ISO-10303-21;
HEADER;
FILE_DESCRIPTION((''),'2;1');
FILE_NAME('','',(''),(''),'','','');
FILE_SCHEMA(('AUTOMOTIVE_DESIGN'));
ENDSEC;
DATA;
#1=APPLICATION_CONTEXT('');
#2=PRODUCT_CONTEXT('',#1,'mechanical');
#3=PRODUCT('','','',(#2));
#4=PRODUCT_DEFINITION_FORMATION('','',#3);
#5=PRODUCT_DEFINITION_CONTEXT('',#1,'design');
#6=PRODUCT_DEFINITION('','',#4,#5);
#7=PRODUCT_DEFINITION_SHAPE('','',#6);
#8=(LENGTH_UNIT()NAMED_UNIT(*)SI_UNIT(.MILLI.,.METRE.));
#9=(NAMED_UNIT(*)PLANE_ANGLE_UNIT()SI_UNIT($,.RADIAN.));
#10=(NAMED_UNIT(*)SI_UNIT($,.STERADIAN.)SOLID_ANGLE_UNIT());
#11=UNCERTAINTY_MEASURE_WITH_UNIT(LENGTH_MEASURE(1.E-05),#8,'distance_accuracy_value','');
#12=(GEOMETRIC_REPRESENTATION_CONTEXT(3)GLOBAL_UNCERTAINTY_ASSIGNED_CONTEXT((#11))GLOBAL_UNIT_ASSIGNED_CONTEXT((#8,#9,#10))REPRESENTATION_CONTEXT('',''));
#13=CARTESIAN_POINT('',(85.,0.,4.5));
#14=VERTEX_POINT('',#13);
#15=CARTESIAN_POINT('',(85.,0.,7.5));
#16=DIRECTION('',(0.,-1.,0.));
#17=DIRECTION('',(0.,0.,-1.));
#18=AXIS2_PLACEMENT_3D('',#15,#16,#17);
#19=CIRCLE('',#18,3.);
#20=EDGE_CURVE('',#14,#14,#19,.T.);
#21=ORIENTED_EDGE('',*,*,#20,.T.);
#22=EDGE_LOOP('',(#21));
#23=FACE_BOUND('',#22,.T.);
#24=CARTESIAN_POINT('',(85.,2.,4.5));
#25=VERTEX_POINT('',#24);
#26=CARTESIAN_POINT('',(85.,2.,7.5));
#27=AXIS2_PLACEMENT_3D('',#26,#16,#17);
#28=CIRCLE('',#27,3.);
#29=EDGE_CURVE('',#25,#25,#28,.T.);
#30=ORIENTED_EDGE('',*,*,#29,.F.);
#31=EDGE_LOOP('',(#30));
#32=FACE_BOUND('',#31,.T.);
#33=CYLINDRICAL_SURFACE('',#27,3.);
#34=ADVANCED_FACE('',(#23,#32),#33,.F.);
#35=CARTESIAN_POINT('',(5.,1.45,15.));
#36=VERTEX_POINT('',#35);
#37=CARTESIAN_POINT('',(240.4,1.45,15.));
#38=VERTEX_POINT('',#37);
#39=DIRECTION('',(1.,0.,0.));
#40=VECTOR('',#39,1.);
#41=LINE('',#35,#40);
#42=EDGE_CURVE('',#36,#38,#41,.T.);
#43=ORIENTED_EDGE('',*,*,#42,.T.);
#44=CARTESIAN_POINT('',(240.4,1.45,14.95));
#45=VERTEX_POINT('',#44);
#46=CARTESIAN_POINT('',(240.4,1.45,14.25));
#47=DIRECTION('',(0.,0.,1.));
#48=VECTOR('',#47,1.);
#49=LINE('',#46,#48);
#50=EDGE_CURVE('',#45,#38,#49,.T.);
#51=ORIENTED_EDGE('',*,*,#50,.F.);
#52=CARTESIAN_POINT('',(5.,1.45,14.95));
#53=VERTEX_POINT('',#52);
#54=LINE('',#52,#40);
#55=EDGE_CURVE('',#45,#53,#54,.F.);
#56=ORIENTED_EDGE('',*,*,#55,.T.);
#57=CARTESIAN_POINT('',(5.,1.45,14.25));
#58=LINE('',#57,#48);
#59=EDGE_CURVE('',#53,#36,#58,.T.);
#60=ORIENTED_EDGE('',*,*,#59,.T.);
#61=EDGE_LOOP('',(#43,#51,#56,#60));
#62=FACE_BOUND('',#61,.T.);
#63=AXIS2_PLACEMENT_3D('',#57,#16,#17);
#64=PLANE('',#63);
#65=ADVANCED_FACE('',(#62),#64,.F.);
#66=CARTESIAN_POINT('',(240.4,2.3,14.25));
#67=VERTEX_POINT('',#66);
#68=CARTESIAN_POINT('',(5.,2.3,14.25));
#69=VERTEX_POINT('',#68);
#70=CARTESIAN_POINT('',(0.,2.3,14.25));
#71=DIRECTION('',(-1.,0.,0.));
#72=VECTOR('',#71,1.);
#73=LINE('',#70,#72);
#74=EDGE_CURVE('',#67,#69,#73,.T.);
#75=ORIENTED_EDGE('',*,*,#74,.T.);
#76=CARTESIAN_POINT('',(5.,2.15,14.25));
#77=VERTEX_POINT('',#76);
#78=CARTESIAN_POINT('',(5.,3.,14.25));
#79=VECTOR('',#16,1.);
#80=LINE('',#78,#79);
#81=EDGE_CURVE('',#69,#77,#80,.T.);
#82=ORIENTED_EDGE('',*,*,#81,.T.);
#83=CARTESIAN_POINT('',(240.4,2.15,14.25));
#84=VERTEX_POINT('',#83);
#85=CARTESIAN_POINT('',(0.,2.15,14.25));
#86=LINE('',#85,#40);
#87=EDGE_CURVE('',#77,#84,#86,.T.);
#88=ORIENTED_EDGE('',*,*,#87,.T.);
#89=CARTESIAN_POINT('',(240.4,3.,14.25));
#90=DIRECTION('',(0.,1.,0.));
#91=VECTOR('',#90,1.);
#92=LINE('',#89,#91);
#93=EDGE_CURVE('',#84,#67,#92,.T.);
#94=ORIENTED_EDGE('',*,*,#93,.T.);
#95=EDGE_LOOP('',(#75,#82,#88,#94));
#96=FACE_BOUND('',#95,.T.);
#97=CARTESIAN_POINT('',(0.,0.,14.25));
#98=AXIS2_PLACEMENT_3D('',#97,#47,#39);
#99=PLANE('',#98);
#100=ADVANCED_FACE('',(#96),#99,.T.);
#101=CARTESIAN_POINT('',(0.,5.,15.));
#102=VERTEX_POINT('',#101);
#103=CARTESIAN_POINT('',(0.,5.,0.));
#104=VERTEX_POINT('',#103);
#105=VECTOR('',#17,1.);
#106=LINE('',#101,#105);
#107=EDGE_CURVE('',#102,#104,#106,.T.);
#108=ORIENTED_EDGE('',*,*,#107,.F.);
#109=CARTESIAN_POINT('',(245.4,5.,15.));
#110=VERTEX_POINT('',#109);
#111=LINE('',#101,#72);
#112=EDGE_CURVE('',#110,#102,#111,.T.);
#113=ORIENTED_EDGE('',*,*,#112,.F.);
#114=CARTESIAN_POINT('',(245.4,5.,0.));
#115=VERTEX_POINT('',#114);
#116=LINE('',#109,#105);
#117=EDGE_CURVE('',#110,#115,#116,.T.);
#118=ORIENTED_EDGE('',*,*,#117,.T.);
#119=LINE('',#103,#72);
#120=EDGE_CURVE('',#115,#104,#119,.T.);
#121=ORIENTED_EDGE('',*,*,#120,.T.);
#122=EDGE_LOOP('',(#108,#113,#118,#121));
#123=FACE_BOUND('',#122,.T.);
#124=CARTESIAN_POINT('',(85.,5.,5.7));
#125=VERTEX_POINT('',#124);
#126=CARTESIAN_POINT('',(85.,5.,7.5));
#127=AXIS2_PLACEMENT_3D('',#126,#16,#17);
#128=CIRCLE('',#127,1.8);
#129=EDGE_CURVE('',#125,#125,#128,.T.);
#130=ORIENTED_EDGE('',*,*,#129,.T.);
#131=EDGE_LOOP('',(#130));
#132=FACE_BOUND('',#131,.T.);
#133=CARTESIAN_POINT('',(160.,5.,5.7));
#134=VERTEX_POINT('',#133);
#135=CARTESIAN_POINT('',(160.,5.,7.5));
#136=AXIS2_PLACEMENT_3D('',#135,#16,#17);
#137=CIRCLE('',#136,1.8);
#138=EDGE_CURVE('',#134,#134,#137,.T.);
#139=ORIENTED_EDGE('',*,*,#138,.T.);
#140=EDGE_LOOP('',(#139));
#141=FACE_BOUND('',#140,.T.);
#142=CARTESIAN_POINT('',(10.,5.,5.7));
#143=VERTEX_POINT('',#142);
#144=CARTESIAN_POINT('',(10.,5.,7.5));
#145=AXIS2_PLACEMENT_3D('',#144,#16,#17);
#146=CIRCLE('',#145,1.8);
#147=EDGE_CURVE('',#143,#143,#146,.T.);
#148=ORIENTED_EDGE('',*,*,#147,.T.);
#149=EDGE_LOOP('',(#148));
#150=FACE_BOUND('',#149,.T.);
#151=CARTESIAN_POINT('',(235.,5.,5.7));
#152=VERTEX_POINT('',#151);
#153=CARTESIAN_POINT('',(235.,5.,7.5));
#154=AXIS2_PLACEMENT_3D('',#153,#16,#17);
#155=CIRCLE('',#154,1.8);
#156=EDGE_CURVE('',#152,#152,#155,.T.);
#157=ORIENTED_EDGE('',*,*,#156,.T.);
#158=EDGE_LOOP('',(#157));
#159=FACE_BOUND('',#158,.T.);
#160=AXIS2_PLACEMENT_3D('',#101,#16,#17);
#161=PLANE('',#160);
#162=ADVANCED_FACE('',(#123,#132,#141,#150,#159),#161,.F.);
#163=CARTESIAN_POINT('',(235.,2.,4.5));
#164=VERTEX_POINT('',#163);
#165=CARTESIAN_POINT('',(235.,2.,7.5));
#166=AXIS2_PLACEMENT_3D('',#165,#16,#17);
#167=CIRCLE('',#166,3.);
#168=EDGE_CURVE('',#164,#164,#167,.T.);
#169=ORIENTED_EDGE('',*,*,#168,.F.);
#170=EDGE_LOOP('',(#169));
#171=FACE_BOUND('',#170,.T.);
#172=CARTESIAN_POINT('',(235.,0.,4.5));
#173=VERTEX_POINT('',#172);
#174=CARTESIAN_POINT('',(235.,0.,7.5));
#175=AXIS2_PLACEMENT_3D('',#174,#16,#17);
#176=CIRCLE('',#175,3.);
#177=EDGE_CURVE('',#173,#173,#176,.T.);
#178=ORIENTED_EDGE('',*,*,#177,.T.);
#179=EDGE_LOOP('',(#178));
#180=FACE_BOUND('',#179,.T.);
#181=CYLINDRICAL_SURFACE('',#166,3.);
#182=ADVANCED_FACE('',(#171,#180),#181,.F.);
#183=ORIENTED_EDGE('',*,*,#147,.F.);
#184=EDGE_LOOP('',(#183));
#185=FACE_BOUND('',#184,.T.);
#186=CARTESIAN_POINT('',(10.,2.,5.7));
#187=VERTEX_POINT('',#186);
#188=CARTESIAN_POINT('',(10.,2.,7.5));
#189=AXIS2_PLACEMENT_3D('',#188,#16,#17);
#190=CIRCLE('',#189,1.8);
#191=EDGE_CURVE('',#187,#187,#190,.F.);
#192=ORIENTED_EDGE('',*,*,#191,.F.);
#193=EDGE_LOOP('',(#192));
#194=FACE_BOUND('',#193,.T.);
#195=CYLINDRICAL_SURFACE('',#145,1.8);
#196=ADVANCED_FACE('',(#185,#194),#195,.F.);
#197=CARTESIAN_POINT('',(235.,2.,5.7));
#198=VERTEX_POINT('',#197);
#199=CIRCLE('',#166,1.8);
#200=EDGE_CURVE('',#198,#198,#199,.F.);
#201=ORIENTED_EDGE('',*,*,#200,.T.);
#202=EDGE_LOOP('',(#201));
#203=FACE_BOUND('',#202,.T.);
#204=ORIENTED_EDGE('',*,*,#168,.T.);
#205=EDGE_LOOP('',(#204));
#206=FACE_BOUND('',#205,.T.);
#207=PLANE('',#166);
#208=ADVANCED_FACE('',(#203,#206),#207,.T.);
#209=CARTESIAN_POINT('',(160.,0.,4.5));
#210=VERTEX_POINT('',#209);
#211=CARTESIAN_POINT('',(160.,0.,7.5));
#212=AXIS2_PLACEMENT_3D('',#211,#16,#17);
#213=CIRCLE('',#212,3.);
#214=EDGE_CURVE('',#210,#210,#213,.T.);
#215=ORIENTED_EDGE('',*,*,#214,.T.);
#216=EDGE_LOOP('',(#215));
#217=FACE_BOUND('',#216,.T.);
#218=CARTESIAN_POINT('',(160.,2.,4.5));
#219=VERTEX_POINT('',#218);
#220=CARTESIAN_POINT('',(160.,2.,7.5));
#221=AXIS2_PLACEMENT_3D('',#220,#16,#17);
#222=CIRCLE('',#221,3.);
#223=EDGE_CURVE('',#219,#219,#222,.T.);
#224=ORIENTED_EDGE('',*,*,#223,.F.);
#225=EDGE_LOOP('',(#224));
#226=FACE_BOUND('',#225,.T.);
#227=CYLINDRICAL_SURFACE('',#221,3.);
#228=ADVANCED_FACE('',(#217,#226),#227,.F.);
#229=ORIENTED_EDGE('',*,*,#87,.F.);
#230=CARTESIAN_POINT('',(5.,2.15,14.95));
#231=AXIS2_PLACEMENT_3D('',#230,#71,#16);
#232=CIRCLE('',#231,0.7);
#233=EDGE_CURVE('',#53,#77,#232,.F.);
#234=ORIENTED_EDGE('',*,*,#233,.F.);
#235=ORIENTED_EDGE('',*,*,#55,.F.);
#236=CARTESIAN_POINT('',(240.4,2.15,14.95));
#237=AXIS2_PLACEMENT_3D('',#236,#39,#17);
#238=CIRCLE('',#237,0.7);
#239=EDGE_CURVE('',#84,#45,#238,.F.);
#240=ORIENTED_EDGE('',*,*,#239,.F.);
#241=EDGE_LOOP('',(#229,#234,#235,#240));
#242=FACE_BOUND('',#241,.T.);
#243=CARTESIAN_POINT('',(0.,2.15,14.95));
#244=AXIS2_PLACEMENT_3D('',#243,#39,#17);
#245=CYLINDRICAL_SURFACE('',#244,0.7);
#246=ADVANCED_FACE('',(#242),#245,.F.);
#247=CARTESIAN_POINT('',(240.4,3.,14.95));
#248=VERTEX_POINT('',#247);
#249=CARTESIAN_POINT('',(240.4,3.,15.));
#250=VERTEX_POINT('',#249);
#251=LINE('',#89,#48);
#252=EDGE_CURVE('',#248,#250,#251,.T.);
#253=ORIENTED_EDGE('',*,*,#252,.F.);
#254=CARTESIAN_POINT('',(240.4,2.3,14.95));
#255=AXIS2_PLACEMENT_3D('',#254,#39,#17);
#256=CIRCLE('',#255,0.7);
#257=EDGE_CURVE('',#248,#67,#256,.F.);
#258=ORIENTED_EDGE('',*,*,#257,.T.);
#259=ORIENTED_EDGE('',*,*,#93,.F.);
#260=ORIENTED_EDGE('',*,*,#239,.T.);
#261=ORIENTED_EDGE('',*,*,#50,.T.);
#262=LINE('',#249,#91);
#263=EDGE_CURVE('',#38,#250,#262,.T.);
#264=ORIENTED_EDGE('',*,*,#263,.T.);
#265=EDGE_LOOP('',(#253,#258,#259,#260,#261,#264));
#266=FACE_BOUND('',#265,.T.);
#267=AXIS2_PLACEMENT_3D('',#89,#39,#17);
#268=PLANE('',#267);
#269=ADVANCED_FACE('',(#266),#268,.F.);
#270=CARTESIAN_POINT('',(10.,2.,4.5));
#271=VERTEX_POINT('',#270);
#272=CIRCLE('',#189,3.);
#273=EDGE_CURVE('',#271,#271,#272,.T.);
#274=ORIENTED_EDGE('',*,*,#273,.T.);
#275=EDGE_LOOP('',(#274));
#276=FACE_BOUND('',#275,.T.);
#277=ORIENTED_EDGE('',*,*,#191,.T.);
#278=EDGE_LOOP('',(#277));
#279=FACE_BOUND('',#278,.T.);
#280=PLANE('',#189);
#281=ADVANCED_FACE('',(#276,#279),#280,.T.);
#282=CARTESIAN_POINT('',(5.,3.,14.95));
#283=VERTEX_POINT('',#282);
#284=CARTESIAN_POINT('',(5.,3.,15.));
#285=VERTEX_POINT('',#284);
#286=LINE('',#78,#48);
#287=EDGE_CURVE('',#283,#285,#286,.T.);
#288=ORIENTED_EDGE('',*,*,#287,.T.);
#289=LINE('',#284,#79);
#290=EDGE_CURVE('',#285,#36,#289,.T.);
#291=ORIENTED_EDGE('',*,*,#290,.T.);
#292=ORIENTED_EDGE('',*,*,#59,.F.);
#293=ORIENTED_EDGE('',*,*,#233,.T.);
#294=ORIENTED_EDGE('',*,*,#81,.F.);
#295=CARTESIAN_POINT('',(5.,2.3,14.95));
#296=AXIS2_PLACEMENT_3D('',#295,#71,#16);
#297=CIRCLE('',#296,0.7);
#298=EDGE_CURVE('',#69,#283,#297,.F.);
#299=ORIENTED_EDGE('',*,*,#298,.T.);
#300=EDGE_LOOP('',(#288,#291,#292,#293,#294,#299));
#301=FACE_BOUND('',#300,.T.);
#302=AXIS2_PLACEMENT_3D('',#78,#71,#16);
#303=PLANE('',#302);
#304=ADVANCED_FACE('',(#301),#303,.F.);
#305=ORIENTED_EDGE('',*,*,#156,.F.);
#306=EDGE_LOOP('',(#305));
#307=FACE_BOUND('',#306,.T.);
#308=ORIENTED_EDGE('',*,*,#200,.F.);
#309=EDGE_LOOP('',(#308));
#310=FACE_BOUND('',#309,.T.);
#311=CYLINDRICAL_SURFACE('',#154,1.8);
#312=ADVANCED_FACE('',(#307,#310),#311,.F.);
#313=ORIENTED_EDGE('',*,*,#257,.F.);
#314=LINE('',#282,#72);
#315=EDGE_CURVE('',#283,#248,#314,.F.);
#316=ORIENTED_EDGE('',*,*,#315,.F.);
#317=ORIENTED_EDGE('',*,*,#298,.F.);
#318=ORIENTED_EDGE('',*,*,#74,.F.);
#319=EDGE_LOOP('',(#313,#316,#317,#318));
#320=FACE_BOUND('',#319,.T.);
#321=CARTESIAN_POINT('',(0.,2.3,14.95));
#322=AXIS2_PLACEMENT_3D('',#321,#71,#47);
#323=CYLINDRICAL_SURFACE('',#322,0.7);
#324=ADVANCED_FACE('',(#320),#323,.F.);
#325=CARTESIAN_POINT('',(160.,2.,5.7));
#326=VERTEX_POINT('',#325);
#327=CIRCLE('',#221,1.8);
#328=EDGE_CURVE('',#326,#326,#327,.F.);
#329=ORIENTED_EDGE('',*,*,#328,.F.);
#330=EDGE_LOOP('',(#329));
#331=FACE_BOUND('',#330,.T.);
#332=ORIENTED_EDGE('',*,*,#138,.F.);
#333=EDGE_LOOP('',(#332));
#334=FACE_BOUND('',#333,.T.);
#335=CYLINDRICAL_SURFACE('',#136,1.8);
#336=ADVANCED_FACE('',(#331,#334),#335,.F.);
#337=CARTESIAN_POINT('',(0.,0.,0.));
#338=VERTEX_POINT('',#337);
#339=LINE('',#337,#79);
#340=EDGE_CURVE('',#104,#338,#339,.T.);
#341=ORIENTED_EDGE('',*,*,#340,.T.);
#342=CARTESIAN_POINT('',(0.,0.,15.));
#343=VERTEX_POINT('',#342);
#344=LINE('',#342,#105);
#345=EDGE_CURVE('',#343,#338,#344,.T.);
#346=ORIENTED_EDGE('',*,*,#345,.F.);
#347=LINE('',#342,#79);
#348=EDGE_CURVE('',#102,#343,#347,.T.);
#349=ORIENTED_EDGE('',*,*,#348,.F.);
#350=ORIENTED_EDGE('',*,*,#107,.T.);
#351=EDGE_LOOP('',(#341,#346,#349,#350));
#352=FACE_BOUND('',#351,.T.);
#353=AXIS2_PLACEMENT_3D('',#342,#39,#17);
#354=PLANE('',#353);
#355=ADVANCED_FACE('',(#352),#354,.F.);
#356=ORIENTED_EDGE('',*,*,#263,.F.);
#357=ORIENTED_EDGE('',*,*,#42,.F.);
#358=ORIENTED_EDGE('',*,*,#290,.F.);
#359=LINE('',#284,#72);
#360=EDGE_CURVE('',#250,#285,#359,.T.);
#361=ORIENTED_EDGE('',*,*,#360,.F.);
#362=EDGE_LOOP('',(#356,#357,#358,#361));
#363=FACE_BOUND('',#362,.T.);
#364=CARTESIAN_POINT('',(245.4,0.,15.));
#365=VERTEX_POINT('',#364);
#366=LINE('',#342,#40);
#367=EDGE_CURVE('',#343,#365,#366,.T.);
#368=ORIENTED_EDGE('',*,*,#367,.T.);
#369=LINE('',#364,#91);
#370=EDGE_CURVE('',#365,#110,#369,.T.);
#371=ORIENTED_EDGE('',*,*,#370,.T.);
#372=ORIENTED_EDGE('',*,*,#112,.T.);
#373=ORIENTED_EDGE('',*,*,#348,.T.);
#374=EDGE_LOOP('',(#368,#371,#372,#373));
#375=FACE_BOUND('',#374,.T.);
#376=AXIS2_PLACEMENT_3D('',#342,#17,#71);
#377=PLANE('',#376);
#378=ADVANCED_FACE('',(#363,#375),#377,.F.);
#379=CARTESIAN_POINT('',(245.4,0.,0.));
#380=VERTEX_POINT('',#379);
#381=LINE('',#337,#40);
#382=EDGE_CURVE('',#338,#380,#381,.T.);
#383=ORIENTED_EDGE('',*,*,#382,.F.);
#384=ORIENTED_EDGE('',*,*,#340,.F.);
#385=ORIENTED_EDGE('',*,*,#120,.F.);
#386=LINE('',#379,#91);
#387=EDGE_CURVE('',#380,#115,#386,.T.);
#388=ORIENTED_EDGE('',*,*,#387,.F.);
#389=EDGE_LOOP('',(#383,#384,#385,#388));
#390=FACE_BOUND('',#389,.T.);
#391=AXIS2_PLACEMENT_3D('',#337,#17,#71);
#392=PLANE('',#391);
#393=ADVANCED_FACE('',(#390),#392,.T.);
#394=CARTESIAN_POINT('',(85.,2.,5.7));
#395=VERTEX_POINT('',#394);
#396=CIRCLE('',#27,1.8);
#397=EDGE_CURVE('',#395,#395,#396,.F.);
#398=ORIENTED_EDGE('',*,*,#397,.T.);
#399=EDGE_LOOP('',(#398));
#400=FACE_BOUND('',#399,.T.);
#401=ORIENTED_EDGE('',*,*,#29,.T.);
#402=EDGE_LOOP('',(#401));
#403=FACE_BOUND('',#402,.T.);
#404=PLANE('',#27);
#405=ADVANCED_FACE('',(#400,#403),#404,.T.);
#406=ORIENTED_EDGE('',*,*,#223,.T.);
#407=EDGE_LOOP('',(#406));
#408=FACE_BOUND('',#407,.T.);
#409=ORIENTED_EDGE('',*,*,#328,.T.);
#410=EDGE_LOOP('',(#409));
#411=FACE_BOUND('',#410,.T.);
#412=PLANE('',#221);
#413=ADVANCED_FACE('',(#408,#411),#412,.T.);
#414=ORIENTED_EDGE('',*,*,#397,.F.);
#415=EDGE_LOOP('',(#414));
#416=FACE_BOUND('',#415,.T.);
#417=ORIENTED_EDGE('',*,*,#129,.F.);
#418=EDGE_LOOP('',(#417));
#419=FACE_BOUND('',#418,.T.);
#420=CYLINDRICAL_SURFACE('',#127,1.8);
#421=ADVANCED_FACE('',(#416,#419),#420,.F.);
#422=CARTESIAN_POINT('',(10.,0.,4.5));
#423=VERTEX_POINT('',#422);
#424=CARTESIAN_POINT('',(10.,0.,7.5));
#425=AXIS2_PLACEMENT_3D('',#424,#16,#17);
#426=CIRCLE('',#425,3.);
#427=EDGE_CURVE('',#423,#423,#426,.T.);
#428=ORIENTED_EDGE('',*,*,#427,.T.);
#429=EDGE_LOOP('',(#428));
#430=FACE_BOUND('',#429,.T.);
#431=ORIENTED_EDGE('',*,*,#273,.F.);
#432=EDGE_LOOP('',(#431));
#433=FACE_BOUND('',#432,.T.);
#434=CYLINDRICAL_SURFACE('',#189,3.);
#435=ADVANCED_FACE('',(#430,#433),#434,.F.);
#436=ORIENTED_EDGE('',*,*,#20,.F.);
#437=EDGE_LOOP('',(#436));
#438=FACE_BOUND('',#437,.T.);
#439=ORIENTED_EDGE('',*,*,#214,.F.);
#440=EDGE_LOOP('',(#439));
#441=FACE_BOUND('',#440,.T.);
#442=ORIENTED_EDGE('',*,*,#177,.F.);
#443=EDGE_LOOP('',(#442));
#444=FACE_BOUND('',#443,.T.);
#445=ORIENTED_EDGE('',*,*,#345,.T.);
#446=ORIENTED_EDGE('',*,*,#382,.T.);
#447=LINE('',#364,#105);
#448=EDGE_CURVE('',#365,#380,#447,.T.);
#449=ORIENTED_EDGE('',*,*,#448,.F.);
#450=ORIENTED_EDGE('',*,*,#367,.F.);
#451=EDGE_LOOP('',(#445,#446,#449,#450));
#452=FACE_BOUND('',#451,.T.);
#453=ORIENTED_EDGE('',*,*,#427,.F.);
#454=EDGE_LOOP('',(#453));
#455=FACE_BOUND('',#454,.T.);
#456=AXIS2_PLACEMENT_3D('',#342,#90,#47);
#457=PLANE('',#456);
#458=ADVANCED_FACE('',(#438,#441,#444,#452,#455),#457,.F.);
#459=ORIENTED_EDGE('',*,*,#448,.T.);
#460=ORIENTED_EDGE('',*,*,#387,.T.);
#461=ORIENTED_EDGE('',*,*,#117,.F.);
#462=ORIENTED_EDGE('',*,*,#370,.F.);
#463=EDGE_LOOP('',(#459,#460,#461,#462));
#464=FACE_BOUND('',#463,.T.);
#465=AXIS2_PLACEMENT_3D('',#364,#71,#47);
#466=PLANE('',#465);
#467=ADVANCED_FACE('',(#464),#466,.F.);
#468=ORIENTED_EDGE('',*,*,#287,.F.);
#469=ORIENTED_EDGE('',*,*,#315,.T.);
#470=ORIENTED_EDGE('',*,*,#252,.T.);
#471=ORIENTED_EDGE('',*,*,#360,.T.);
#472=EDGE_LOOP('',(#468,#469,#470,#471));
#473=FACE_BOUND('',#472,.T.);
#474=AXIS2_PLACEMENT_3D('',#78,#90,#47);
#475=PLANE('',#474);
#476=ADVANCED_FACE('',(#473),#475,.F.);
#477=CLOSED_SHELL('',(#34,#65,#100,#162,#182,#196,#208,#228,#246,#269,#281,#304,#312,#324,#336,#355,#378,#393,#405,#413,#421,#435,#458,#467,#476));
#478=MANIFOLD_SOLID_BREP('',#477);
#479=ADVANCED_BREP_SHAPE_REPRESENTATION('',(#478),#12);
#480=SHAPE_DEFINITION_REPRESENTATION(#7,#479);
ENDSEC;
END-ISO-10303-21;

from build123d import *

# Parameters (mm, degrees)
SKETCH1_W              = 245.4
SKETCH1_H              = 5
MAIN_BODY_DEPTH        = 15
SKETCH3_R              = 1.8
SCREW_HOLES_DEPTH      = 5
SKETCH4_R              = 3
SCREW_HEAD_HOLES_DEPTH = 2
SKETCH2_W              = 235.4
SKETCH2_H              = 1.55
CHANNEL_A_DEPTH        = 0.75
CHANNEL_A_ROUND_R      = 0.7


with BuildPart() as part:
    # Sketch1 → Main_Body (new body)
    with BuildSketch(Plane.XY):
        with Locations((122.7, 2.5)):
            Rectangle(SKETCH1_W, SKETCH1_H)
    extrude(amount=MAIN_BODY_DEPTH)

    # Sketch3 → Screw_Holes (cut)
    with BuildSketch(Plane.XZ):
        with Locations((10, 7.5)):
            Circle(SKETCH3_R)
        with Locations((85, 7.5)):
            Circle(SKETCH3_R)
        with Locations((160, 7.5)):
            Circle(SKETCH3_R)
        with Locations((235, 7.5)):
            Circle(SKETCH3_R)
    extrude(amount=-SCREW_HOLES_DEPTH, mode=Mode.SUBTRACT)

    # Sketch4 → Screw_Head_Holes (cut)
    with BuildSketch(Plane.XZ):
        with Locations((10, 7.5)):
            Circle(SKETCH4_R)
        with Locations((85, 7.5)):
            Circle(SKETCH4_R)
        with Locations((160, 7.5)):
            Circle(SKETCH4_R)
        with Locations((235, 7.5)):
            Circle(SKETCH4_R)
    extrude(amount=-SCREW_HEAD_HOLES_DEPTH, mode=Mode.SUBTRACT)

    # Sketch2 → Channel_A (cut)
    with BuildSketch(Plane.XY.offset(15)):
        with Locations((122.7, 2.225)):
            Rectangle(SKETCH2_W, SKETCH2_H)
    extrude(amount=-CHANNEL_A_DEPTH, mode=Mode.SUBTRACT)

    # Channel_A_Round
    channel_a_round_edges = [part.edges().sort_by_distance(p)[0] for p in [
        (122.7, 3, 14.25),
        (122.7, 1.45, 14.25),
    ]]
    fillet(channel_a_round_edges, radius=CHANNEL_A_ROUND_R)


solid = part.part
